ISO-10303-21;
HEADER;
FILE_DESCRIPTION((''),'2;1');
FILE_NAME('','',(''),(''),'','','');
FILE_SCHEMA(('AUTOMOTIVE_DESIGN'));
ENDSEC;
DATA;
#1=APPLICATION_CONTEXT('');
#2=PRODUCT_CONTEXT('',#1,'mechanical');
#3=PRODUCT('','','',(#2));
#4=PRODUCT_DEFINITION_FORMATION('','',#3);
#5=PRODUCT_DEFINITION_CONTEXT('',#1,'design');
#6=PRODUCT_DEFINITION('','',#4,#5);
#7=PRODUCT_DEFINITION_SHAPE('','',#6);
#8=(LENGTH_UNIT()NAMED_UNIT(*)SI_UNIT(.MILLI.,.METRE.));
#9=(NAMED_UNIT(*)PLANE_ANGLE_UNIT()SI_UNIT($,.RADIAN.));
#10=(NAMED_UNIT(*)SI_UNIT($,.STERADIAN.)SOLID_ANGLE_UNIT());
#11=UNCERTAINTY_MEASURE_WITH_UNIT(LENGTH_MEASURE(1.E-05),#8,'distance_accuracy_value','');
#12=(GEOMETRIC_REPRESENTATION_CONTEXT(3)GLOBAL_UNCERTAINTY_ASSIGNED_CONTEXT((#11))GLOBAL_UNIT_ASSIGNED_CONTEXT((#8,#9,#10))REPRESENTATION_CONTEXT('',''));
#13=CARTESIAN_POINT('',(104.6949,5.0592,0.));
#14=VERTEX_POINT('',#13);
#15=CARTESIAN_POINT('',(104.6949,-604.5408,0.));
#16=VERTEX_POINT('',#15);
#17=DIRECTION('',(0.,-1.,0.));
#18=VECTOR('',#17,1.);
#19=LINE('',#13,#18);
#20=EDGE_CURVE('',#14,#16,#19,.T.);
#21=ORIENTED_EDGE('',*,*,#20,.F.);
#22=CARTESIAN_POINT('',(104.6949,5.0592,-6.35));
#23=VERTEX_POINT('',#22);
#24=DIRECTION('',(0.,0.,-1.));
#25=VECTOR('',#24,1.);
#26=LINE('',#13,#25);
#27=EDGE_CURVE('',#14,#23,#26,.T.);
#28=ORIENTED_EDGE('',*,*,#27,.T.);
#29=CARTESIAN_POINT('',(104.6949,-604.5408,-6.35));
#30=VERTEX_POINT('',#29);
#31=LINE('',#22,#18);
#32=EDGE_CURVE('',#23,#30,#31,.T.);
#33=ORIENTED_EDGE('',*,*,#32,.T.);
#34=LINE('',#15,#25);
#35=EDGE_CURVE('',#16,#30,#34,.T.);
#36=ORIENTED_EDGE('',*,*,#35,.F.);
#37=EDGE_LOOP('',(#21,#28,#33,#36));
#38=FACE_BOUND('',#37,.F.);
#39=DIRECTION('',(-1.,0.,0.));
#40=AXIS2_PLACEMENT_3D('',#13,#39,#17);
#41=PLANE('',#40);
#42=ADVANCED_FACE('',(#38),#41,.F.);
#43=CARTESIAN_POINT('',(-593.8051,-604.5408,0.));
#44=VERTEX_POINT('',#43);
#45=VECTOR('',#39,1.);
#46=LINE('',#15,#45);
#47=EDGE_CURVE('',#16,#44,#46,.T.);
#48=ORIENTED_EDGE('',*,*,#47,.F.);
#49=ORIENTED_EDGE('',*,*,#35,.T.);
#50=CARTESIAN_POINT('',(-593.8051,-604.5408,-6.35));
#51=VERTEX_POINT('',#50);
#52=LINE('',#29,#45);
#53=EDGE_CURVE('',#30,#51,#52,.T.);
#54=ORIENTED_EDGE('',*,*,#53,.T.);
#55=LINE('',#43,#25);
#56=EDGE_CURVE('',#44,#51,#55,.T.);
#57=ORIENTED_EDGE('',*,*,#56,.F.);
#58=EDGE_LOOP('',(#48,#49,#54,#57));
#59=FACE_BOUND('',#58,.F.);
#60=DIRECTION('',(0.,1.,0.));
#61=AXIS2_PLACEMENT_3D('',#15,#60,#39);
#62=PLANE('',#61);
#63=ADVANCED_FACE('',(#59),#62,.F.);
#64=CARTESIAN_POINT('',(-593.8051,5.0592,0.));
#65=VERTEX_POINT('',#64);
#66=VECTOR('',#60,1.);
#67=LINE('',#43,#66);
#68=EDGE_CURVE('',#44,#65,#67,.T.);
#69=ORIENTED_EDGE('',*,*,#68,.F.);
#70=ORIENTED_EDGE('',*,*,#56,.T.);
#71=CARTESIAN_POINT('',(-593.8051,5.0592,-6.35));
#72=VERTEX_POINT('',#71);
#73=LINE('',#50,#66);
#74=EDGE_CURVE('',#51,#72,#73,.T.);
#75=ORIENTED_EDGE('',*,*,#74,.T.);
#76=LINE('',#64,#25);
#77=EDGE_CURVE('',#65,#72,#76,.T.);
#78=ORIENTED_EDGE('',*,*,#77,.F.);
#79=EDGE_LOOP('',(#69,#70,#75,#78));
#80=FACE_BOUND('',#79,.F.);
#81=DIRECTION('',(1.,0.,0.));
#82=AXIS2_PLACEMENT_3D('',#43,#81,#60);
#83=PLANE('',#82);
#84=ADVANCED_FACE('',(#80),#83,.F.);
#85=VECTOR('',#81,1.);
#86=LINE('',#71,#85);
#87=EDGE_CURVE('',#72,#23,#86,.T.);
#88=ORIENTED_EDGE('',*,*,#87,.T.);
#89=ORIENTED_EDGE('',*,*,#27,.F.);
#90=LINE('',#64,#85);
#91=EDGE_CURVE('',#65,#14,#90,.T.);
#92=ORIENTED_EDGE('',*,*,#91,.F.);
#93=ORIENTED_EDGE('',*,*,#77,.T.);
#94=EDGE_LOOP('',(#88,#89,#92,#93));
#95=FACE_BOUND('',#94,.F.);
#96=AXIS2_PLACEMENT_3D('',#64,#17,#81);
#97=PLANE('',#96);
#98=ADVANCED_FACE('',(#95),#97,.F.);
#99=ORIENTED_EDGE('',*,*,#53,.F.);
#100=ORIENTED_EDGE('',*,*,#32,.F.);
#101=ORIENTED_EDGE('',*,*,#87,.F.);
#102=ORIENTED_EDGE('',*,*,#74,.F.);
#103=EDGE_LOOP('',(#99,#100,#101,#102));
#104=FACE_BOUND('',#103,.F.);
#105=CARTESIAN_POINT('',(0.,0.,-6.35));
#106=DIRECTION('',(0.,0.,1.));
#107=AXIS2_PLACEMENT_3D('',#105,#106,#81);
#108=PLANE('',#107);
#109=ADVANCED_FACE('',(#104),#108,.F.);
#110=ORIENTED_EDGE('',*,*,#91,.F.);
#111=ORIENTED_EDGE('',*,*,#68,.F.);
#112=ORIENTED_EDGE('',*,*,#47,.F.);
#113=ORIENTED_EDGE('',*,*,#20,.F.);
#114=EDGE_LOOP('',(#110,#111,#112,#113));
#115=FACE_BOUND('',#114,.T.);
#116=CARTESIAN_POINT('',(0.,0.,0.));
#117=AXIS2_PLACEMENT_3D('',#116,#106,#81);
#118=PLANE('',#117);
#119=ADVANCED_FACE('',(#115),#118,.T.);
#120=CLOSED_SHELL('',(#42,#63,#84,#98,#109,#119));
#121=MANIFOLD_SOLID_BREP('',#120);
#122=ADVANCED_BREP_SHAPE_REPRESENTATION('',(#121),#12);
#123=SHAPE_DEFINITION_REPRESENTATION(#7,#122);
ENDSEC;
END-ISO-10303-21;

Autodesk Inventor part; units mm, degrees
ref_plane "YZ Plane" through (0, 0, 0) normal (1, 0, 0) x (0, 1, 0)
ref_plane "XZ Plane" through (0, 0, 0) normal (0, 1, 0) x (-1, 0, 0)
ref_plane "XY Plane" through (0, 0, 0) normal (0, 0, 1) x (1, 0, 0)
sketch "Sketch1" plane through (0, 0, 0) normal (0, 0, 1) x (1, 0, 0)
  line L0 (-593.8051, 5.0592) -> (104.6949, 5.0592)
  line L1 (104.6949, 5.0592) -> (104.6949, -604.5408)
  line L2 (104.6949, -604.5408) -> (-593.8051, -604.5408)
  line L3 (-593.8051, -604.5408) -> (-593.8051, 5.0592)
  point P0 (0, 0)
  dimension "d0" = 698.5
  dimension "d1" = 609.6
extrude "Extrusion1" add sketch "Sketch1" against normal blind 6.35
properties part number "Aluminum Mount Plate"
